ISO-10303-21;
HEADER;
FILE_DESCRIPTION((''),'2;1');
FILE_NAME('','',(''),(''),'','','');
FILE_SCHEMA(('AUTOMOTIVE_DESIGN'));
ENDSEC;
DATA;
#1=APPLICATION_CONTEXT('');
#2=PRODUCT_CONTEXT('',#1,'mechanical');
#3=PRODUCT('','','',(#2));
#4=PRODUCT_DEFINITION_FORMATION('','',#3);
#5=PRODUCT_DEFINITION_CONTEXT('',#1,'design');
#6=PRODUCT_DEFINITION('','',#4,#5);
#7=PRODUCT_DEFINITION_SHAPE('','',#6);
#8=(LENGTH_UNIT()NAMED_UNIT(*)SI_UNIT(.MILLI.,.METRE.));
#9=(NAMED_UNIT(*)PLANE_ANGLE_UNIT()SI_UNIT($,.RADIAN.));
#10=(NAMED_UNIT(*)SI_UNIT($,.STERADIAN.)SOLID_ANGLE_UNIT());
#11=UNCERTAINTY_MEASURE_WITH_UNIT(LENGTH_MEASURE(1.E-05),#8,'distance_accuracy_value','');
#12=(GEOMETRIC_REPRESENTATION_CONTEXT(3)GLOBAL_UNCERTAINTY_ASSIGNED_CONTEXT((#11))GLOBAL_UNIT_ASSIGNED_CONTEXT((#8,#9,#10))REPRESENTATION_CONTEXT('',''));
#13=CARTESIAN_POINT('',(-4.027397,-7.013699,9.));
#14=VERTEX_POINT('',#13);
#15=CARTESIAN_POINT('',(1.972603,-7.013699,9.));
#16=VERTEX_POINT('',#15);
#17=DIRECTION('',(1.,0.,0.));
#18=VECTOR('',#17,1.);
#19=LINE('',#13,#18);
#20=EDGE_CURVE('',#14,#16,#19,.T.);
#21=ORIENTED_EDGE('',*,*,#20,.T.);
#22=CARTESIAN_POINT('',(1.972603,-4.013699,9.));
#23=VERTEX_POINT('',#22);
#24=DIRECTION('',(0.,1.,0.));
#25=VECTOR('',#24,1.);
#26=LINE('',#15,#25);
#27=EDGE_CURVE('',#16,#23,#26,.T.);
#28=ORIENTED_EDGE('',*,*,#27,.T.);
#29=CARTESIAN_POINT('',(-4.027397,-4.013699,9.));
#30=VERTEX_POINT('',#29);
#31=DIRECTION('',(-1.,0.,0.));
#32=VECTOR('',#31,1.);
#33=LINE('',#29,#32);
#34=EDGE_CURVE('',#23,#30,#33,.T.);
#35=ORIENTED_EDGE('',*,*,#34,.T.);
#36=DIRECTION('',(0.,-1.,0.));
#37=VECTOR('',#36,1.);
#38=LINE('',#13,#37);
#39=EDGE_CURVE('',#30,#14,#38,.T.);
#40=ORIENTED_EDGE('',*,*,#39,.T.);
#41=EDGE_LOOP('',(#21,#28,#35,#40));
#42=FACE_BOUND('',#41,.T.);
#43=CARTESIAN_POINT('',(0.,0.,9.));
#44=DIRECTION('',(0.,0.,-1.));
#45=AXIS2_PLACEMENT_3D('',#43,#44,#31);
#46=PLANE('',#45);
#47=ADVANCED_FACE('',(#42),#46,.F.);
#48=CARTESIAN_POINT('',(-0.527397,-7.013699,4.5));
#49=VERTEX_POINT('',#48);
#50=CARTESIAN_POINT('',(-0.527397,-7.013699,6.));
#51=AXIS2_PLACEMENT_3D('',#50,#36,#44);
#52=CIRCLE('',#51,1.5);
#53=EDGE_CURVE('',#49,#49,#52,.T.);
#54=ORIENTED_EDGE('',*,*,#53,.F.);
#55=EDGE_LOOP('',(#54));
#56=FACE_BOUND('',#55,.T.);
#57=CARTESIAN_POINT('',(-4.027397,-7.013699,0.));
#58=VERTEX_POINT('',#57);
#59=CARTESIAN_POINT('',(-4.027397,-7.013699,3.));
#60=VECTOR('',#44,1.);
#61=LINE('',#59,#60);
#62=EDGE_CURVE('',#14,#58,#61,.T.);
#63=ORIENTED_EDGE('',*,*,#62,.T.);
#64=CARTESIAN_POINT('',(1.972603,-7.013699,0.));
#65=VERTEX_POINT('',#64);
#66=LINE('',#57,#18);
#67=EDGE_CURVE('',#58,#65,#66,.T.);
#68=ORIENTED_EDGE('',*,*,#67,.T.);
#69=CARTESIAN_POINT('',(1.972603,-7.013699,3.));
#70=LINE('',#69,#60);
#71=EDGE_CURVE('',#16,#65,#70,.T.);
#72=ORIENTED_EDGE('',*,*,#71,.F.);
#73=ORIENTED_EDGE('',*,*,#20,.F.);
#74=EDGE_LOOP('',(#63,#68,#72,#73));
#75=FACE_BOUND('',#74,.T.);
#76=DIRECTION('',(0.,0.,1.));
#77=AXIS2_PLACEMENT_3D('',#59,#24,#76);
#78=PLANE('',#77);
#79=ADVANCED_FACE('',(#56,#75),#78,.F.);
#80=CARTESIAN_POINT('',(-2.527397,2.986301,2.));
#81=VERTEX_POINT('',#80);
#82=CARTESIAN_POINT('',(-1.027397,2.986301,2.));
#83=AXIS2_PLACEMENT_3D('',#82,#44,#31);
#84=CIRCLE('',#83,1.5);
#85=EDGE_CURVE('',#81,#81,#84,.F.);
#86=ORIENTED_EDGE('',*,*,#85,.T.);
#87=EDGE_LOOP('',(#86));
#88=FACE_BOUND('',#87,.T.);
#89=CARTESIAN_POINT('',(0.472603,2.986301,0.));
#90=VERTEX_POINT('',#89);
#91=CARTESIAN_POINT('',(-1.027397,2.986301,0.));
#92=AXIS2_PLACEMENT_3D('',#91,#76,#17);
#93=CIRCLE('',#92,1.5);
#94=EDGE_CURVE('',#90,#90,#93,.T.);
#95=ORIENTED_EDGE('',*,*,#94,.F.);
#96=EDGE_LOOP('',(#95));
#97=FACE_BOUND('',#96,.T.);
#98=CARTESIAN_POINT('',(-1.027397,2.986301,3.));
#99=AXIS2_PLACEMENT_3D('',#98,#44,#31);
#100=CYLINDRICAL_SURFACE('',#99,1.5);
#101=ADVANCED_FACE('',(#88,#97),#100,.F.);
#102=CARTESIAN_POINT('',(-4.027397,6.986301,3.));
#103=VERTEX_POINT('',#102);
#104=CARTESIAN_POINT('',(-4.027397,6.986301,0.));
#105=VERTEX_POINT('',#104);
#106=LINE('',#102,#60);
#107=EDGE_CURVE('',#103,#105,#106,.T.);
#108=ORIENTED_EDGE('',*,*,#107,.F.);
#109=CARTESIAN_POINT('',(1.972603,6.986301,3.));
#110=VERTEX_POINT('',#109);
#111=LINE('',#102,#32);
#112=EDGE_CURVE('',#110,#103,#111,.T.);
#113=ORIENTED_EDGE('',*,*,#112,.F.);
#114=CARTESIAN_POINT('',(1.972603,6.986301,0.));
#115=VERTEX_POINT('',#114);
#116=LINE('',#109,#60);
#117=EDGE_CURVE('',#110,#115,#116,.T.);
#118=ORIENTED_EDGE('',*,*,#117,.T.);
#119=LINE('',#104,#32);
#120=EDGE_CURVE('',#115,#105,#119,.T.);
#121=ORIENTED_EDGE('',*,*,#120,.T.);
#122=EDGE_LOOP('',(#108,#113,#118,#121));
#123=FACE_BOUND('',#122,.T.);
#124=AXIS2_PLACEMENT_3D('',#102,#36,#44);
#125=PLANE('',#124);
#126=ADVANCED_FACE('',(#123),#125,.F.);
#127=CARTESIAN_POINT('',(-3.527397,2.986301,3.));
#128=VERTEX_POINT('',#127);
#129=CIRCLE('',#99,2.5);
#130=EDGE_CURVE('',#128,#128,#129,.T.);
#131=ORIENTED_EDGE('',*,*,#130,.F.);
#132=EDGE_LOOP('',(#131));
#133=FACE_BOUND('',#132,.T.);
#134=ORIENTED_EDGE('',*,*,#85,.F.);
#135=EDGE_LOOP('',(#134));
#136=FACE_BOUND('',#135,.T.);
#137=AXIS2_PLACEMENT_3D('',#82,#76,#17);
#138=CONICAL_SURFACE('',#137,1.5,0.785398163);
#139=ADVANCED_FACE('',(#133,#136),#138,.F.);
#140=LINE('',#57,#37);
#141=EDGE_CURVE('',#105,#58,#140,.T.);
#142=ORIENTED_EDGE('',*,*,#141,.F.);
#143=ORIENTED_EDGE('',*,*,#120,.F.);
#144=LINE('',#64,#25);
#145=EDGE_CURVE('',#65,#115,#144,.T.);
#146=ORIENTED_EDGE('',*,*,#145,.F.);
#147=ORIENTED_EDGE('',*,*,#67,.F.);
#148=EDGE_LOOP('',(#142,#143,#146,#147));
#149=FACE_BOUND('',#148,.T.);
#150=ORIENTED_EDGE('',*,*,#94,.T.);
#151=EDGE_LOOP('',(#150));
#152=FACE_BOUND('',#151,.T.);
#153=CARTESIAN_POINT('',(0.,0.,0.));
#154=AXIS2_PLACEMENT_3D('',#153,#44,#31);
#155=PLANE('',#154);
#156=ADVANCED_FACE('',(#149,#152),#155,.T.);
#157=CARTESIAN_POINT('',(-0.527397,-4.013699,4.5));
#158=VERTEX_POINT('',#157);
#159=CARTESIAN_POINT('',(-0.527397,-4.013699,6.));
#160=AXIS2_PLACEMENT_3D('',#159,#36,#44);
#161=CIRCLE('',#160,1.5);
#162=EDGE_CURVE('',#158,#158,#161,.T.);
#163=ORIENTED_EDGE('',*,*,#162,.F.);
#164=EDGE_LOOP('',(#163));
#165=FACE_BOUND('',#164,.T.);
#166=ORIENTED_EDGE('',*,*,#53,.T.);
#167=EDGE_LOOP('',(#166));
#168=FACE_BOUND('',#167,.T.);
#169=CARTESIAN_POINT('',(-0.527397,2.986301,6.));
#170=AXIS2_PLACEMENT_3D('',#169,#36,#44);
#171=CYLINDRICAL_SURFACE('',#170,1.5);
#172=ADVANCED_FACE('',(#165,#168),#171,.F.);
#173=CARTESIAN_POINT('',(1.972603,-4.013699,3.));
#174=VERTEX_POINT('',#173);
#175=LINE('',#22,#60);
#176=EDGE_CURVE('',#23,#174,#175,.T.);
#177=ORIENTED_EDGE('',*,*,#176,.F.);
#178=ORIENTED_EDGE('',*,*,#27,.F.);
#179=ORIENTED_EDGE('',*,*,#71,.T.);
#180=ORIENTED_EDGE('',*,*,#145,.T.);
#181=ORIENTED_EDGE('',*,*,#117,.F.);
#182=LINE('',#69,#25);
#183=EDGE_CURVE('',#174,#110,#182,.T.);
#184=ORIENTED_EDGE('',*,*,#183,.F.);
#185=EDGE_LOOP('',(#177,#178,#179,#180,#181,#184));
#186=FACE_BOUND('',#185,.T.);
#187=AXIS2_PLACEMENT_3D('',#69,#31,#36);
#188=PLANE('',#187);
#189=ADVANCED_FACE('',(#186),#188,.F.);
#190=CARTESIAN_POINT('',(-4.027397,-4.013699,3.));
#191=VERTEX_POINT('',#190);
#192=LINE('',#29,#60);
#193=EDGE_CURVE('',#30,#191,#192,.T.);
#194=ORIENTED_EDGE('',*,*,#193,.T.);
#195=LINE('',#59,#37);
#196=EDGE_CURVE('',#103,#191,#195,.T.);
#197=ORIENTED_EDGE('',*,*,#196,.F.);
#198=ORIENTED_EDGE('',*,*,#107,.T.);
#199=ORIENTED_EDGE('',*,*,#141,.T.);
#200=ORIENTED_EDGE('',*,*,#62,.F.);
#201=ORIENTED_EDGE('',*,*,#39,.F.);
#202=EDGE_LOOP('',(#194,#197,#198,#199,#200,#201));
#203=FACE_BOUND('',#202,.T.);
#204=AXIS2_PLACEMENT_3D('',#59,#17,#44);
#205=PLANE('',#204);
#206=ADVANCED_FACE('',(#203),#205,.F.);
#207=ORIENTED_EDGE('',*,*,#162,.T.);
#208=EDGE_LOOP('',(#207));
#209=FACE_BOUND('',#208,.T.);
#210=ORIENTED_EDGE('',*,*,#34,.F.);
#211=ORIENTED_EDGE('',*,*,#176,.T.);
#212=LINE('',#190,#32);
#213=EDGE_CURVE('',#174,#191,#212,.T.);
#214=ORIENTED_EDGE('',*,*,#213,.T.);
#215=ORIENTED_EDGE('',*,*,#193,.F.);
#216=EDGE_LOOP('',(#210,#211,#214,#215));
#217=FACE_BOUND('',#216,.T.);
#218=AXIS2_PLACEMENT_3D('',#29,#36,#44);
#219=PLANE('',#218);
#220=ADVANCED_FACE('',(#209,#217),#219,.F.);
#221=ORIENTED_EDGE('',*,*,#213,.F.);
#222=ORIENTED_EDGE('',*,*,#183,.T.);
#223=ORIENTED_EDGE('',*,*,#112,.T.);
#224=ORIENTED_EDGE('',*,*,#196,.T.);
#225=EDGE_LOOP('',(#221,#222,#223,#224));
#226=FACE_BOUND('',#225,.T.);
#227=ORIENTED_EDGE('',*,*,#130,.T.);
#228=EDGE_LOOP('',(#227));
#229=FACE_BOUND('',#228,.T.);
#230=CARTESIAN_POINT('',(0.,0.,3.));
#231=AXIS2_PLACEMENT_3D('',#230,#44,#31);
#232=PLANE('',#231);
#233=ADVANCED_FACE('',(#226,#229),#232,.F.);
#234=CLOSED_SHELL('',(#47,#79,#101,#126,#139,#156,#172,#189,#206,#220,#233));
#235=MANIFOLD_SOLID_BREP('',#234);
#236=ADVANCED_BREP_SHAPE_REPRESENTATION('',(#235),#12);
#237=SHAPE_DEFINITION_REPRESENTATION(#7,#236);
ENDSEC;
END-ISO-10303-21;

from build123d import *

# Parameters (mm, degrees)
ESQUISSE1_W             = 6
ESQUISSE1_H             = 14
ESQUISSE1_R             = 1.5
BOSS_EXTRU_1_DEPTH      = 3
ESQUISSE2_W             = 6
ESQUISSE2_H             = 3
BOSS_EXTRU_2_DEPTH      = 6
ESQUISSE3_R             = 1.5
ENL_V_MAT_EXTRU_1_DEPTH = 10
CHANFREIN3_SIZE         = 1


with BuildPart() as part:
    # Esquisse1 → Boss.-Extru.1 (new body)
    with BuildSketch(Plane.XY):
        with Locations((-1.02739726, -0.01369863)):
            Rectangle(ESQUISSE1_W, ESQUISSE1_H)
        with Locations((-1.02739726, 2.98630137)):
            Circle(ESQUISSE1_R, mode=Mode.SUBTRACT)
    extrude(amount=BOSS_EXTRU_1_DEPTH)

    # Esquisse2 → Boss.-Extru.2 (add)
    with BuildSketch(Plane.XY.offset(3)):
        with Locations((-1.02739726, -5.51369863)):
            Rectangle(ESQUISSE2_W, ESQUISSE2_H)
    extrude(amount=BOSS_EXTRU_2_DEPTH)

    # Esquisse3 → Enlèv. mat.-Extru.1 (cut)
    with BuildSketch(Plane(origin=(0, -7.01369863, 0), x_dir=(-1, 0, 0), z_dir=(0, -1, 0))):
        with Locations(Location((0.52739726, -6, 0), (0, 0, 90))):
            Circle(ESQUISSE3_R)
    extrude(amount=-ENL_V_MAT_EXTRU_1_DEPTH, mode=Mode.SUBTRACT)

    # Chanfrein3
    chanfrein3_edges = [part.edges().sort_by_distance(p)[0] for p in [
        (-2.52739726, 2.98630137, 3),
    ]]
    chamfer(chanfrein3_edges, length=CHANFREIN3_SIZE)


solid = part.part
